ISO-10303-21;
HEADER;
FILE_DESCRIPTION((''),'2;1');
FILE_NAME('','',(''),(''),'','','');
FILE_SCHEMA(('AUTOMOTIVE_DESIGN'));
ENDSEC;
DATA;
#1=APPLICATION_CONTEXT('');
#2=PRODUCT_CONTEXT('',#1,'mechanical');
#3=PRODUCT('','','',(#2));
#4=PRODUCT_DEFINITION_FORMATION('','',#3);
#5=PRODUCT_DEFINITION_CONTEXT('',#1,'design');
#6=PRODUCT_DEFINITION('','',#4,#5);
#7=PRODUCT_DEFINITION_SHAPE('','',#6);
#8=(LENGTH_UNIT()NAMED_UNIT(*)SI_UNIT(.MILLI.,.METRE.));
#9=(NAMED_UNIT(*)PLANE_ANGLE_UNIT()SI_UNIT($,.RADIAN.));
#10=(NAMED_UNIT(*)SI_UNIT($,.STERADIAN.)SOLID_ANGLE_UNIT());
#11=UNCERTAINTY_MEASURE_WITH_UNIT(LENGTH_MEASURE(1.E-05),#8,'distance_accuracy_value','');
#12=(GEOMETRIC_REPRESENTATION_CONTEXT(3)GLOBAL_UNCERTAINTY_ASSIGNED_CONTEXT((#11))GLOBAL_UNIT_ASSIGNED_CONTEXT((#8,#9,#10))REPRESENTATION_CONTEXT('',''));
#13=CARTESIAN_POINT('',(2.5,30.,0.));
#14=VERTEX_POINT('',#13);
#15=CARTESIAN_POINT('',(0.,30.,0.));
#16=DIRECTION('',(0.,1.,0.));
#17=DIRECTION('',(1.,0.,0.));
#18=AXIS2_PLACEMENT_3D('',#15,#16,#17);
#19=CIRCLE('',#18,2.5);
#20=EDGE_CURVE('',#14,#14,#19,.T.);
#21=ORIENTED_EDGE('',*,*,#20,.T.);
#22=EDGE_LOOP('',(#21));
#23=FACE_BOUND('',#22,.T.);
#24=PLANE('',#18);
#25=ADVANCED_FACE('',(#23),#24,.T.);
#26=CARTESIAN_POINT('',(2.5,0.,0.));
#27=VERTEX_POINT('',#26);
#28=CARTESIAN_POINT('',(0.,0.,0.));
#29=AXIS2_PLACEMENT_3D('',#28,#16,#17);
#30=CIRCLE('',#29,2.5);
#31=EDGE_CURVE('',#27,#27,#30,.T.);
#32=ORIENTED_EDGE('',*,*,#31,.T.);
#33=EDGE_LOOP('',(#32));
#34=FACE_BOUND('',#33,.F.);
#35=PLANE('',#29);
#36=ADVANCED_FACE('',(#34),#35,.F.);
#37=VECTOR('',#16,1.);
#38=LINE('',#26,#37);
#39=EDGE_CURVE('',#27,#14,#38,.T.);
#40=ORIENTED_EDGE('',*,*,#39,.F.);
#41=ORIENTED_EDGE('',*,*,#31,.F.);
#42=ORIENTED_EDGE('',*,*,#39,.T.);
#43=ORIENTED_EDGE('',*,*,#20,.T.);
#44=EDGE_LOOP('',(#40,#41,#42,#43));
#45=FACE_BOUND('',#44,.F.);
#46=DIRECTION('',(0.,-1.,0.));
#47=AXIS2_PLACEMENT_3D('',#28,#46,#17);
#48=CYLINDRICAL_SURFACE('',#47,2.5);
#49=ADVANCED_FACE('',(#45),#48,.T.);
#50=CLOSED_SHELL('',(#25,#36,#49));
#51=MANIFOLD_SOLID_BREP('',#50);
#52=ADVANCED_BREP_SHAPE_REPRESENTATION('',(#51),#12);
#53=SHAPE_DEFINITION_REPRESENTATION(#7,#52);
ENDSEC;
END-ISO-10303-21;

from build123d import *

# Parameters (mm, degrees)
SKETCH2_R           = 2.5
BOSS_EXTRUDE1_DEPTH = 30


with BuildPart() as part:
    # Sketch2 → Boss-Extrude1 (new body)
    with BuildSketch(Plane(origin=(0, 0, 0), x_dir=(1, 0, 0), z_dir=(0, 1, 0))):
        Circle(SKETCH2_R)
    extrude(amount=BOSS_EXTRUDE1_DEPTH)


solid = part.part
